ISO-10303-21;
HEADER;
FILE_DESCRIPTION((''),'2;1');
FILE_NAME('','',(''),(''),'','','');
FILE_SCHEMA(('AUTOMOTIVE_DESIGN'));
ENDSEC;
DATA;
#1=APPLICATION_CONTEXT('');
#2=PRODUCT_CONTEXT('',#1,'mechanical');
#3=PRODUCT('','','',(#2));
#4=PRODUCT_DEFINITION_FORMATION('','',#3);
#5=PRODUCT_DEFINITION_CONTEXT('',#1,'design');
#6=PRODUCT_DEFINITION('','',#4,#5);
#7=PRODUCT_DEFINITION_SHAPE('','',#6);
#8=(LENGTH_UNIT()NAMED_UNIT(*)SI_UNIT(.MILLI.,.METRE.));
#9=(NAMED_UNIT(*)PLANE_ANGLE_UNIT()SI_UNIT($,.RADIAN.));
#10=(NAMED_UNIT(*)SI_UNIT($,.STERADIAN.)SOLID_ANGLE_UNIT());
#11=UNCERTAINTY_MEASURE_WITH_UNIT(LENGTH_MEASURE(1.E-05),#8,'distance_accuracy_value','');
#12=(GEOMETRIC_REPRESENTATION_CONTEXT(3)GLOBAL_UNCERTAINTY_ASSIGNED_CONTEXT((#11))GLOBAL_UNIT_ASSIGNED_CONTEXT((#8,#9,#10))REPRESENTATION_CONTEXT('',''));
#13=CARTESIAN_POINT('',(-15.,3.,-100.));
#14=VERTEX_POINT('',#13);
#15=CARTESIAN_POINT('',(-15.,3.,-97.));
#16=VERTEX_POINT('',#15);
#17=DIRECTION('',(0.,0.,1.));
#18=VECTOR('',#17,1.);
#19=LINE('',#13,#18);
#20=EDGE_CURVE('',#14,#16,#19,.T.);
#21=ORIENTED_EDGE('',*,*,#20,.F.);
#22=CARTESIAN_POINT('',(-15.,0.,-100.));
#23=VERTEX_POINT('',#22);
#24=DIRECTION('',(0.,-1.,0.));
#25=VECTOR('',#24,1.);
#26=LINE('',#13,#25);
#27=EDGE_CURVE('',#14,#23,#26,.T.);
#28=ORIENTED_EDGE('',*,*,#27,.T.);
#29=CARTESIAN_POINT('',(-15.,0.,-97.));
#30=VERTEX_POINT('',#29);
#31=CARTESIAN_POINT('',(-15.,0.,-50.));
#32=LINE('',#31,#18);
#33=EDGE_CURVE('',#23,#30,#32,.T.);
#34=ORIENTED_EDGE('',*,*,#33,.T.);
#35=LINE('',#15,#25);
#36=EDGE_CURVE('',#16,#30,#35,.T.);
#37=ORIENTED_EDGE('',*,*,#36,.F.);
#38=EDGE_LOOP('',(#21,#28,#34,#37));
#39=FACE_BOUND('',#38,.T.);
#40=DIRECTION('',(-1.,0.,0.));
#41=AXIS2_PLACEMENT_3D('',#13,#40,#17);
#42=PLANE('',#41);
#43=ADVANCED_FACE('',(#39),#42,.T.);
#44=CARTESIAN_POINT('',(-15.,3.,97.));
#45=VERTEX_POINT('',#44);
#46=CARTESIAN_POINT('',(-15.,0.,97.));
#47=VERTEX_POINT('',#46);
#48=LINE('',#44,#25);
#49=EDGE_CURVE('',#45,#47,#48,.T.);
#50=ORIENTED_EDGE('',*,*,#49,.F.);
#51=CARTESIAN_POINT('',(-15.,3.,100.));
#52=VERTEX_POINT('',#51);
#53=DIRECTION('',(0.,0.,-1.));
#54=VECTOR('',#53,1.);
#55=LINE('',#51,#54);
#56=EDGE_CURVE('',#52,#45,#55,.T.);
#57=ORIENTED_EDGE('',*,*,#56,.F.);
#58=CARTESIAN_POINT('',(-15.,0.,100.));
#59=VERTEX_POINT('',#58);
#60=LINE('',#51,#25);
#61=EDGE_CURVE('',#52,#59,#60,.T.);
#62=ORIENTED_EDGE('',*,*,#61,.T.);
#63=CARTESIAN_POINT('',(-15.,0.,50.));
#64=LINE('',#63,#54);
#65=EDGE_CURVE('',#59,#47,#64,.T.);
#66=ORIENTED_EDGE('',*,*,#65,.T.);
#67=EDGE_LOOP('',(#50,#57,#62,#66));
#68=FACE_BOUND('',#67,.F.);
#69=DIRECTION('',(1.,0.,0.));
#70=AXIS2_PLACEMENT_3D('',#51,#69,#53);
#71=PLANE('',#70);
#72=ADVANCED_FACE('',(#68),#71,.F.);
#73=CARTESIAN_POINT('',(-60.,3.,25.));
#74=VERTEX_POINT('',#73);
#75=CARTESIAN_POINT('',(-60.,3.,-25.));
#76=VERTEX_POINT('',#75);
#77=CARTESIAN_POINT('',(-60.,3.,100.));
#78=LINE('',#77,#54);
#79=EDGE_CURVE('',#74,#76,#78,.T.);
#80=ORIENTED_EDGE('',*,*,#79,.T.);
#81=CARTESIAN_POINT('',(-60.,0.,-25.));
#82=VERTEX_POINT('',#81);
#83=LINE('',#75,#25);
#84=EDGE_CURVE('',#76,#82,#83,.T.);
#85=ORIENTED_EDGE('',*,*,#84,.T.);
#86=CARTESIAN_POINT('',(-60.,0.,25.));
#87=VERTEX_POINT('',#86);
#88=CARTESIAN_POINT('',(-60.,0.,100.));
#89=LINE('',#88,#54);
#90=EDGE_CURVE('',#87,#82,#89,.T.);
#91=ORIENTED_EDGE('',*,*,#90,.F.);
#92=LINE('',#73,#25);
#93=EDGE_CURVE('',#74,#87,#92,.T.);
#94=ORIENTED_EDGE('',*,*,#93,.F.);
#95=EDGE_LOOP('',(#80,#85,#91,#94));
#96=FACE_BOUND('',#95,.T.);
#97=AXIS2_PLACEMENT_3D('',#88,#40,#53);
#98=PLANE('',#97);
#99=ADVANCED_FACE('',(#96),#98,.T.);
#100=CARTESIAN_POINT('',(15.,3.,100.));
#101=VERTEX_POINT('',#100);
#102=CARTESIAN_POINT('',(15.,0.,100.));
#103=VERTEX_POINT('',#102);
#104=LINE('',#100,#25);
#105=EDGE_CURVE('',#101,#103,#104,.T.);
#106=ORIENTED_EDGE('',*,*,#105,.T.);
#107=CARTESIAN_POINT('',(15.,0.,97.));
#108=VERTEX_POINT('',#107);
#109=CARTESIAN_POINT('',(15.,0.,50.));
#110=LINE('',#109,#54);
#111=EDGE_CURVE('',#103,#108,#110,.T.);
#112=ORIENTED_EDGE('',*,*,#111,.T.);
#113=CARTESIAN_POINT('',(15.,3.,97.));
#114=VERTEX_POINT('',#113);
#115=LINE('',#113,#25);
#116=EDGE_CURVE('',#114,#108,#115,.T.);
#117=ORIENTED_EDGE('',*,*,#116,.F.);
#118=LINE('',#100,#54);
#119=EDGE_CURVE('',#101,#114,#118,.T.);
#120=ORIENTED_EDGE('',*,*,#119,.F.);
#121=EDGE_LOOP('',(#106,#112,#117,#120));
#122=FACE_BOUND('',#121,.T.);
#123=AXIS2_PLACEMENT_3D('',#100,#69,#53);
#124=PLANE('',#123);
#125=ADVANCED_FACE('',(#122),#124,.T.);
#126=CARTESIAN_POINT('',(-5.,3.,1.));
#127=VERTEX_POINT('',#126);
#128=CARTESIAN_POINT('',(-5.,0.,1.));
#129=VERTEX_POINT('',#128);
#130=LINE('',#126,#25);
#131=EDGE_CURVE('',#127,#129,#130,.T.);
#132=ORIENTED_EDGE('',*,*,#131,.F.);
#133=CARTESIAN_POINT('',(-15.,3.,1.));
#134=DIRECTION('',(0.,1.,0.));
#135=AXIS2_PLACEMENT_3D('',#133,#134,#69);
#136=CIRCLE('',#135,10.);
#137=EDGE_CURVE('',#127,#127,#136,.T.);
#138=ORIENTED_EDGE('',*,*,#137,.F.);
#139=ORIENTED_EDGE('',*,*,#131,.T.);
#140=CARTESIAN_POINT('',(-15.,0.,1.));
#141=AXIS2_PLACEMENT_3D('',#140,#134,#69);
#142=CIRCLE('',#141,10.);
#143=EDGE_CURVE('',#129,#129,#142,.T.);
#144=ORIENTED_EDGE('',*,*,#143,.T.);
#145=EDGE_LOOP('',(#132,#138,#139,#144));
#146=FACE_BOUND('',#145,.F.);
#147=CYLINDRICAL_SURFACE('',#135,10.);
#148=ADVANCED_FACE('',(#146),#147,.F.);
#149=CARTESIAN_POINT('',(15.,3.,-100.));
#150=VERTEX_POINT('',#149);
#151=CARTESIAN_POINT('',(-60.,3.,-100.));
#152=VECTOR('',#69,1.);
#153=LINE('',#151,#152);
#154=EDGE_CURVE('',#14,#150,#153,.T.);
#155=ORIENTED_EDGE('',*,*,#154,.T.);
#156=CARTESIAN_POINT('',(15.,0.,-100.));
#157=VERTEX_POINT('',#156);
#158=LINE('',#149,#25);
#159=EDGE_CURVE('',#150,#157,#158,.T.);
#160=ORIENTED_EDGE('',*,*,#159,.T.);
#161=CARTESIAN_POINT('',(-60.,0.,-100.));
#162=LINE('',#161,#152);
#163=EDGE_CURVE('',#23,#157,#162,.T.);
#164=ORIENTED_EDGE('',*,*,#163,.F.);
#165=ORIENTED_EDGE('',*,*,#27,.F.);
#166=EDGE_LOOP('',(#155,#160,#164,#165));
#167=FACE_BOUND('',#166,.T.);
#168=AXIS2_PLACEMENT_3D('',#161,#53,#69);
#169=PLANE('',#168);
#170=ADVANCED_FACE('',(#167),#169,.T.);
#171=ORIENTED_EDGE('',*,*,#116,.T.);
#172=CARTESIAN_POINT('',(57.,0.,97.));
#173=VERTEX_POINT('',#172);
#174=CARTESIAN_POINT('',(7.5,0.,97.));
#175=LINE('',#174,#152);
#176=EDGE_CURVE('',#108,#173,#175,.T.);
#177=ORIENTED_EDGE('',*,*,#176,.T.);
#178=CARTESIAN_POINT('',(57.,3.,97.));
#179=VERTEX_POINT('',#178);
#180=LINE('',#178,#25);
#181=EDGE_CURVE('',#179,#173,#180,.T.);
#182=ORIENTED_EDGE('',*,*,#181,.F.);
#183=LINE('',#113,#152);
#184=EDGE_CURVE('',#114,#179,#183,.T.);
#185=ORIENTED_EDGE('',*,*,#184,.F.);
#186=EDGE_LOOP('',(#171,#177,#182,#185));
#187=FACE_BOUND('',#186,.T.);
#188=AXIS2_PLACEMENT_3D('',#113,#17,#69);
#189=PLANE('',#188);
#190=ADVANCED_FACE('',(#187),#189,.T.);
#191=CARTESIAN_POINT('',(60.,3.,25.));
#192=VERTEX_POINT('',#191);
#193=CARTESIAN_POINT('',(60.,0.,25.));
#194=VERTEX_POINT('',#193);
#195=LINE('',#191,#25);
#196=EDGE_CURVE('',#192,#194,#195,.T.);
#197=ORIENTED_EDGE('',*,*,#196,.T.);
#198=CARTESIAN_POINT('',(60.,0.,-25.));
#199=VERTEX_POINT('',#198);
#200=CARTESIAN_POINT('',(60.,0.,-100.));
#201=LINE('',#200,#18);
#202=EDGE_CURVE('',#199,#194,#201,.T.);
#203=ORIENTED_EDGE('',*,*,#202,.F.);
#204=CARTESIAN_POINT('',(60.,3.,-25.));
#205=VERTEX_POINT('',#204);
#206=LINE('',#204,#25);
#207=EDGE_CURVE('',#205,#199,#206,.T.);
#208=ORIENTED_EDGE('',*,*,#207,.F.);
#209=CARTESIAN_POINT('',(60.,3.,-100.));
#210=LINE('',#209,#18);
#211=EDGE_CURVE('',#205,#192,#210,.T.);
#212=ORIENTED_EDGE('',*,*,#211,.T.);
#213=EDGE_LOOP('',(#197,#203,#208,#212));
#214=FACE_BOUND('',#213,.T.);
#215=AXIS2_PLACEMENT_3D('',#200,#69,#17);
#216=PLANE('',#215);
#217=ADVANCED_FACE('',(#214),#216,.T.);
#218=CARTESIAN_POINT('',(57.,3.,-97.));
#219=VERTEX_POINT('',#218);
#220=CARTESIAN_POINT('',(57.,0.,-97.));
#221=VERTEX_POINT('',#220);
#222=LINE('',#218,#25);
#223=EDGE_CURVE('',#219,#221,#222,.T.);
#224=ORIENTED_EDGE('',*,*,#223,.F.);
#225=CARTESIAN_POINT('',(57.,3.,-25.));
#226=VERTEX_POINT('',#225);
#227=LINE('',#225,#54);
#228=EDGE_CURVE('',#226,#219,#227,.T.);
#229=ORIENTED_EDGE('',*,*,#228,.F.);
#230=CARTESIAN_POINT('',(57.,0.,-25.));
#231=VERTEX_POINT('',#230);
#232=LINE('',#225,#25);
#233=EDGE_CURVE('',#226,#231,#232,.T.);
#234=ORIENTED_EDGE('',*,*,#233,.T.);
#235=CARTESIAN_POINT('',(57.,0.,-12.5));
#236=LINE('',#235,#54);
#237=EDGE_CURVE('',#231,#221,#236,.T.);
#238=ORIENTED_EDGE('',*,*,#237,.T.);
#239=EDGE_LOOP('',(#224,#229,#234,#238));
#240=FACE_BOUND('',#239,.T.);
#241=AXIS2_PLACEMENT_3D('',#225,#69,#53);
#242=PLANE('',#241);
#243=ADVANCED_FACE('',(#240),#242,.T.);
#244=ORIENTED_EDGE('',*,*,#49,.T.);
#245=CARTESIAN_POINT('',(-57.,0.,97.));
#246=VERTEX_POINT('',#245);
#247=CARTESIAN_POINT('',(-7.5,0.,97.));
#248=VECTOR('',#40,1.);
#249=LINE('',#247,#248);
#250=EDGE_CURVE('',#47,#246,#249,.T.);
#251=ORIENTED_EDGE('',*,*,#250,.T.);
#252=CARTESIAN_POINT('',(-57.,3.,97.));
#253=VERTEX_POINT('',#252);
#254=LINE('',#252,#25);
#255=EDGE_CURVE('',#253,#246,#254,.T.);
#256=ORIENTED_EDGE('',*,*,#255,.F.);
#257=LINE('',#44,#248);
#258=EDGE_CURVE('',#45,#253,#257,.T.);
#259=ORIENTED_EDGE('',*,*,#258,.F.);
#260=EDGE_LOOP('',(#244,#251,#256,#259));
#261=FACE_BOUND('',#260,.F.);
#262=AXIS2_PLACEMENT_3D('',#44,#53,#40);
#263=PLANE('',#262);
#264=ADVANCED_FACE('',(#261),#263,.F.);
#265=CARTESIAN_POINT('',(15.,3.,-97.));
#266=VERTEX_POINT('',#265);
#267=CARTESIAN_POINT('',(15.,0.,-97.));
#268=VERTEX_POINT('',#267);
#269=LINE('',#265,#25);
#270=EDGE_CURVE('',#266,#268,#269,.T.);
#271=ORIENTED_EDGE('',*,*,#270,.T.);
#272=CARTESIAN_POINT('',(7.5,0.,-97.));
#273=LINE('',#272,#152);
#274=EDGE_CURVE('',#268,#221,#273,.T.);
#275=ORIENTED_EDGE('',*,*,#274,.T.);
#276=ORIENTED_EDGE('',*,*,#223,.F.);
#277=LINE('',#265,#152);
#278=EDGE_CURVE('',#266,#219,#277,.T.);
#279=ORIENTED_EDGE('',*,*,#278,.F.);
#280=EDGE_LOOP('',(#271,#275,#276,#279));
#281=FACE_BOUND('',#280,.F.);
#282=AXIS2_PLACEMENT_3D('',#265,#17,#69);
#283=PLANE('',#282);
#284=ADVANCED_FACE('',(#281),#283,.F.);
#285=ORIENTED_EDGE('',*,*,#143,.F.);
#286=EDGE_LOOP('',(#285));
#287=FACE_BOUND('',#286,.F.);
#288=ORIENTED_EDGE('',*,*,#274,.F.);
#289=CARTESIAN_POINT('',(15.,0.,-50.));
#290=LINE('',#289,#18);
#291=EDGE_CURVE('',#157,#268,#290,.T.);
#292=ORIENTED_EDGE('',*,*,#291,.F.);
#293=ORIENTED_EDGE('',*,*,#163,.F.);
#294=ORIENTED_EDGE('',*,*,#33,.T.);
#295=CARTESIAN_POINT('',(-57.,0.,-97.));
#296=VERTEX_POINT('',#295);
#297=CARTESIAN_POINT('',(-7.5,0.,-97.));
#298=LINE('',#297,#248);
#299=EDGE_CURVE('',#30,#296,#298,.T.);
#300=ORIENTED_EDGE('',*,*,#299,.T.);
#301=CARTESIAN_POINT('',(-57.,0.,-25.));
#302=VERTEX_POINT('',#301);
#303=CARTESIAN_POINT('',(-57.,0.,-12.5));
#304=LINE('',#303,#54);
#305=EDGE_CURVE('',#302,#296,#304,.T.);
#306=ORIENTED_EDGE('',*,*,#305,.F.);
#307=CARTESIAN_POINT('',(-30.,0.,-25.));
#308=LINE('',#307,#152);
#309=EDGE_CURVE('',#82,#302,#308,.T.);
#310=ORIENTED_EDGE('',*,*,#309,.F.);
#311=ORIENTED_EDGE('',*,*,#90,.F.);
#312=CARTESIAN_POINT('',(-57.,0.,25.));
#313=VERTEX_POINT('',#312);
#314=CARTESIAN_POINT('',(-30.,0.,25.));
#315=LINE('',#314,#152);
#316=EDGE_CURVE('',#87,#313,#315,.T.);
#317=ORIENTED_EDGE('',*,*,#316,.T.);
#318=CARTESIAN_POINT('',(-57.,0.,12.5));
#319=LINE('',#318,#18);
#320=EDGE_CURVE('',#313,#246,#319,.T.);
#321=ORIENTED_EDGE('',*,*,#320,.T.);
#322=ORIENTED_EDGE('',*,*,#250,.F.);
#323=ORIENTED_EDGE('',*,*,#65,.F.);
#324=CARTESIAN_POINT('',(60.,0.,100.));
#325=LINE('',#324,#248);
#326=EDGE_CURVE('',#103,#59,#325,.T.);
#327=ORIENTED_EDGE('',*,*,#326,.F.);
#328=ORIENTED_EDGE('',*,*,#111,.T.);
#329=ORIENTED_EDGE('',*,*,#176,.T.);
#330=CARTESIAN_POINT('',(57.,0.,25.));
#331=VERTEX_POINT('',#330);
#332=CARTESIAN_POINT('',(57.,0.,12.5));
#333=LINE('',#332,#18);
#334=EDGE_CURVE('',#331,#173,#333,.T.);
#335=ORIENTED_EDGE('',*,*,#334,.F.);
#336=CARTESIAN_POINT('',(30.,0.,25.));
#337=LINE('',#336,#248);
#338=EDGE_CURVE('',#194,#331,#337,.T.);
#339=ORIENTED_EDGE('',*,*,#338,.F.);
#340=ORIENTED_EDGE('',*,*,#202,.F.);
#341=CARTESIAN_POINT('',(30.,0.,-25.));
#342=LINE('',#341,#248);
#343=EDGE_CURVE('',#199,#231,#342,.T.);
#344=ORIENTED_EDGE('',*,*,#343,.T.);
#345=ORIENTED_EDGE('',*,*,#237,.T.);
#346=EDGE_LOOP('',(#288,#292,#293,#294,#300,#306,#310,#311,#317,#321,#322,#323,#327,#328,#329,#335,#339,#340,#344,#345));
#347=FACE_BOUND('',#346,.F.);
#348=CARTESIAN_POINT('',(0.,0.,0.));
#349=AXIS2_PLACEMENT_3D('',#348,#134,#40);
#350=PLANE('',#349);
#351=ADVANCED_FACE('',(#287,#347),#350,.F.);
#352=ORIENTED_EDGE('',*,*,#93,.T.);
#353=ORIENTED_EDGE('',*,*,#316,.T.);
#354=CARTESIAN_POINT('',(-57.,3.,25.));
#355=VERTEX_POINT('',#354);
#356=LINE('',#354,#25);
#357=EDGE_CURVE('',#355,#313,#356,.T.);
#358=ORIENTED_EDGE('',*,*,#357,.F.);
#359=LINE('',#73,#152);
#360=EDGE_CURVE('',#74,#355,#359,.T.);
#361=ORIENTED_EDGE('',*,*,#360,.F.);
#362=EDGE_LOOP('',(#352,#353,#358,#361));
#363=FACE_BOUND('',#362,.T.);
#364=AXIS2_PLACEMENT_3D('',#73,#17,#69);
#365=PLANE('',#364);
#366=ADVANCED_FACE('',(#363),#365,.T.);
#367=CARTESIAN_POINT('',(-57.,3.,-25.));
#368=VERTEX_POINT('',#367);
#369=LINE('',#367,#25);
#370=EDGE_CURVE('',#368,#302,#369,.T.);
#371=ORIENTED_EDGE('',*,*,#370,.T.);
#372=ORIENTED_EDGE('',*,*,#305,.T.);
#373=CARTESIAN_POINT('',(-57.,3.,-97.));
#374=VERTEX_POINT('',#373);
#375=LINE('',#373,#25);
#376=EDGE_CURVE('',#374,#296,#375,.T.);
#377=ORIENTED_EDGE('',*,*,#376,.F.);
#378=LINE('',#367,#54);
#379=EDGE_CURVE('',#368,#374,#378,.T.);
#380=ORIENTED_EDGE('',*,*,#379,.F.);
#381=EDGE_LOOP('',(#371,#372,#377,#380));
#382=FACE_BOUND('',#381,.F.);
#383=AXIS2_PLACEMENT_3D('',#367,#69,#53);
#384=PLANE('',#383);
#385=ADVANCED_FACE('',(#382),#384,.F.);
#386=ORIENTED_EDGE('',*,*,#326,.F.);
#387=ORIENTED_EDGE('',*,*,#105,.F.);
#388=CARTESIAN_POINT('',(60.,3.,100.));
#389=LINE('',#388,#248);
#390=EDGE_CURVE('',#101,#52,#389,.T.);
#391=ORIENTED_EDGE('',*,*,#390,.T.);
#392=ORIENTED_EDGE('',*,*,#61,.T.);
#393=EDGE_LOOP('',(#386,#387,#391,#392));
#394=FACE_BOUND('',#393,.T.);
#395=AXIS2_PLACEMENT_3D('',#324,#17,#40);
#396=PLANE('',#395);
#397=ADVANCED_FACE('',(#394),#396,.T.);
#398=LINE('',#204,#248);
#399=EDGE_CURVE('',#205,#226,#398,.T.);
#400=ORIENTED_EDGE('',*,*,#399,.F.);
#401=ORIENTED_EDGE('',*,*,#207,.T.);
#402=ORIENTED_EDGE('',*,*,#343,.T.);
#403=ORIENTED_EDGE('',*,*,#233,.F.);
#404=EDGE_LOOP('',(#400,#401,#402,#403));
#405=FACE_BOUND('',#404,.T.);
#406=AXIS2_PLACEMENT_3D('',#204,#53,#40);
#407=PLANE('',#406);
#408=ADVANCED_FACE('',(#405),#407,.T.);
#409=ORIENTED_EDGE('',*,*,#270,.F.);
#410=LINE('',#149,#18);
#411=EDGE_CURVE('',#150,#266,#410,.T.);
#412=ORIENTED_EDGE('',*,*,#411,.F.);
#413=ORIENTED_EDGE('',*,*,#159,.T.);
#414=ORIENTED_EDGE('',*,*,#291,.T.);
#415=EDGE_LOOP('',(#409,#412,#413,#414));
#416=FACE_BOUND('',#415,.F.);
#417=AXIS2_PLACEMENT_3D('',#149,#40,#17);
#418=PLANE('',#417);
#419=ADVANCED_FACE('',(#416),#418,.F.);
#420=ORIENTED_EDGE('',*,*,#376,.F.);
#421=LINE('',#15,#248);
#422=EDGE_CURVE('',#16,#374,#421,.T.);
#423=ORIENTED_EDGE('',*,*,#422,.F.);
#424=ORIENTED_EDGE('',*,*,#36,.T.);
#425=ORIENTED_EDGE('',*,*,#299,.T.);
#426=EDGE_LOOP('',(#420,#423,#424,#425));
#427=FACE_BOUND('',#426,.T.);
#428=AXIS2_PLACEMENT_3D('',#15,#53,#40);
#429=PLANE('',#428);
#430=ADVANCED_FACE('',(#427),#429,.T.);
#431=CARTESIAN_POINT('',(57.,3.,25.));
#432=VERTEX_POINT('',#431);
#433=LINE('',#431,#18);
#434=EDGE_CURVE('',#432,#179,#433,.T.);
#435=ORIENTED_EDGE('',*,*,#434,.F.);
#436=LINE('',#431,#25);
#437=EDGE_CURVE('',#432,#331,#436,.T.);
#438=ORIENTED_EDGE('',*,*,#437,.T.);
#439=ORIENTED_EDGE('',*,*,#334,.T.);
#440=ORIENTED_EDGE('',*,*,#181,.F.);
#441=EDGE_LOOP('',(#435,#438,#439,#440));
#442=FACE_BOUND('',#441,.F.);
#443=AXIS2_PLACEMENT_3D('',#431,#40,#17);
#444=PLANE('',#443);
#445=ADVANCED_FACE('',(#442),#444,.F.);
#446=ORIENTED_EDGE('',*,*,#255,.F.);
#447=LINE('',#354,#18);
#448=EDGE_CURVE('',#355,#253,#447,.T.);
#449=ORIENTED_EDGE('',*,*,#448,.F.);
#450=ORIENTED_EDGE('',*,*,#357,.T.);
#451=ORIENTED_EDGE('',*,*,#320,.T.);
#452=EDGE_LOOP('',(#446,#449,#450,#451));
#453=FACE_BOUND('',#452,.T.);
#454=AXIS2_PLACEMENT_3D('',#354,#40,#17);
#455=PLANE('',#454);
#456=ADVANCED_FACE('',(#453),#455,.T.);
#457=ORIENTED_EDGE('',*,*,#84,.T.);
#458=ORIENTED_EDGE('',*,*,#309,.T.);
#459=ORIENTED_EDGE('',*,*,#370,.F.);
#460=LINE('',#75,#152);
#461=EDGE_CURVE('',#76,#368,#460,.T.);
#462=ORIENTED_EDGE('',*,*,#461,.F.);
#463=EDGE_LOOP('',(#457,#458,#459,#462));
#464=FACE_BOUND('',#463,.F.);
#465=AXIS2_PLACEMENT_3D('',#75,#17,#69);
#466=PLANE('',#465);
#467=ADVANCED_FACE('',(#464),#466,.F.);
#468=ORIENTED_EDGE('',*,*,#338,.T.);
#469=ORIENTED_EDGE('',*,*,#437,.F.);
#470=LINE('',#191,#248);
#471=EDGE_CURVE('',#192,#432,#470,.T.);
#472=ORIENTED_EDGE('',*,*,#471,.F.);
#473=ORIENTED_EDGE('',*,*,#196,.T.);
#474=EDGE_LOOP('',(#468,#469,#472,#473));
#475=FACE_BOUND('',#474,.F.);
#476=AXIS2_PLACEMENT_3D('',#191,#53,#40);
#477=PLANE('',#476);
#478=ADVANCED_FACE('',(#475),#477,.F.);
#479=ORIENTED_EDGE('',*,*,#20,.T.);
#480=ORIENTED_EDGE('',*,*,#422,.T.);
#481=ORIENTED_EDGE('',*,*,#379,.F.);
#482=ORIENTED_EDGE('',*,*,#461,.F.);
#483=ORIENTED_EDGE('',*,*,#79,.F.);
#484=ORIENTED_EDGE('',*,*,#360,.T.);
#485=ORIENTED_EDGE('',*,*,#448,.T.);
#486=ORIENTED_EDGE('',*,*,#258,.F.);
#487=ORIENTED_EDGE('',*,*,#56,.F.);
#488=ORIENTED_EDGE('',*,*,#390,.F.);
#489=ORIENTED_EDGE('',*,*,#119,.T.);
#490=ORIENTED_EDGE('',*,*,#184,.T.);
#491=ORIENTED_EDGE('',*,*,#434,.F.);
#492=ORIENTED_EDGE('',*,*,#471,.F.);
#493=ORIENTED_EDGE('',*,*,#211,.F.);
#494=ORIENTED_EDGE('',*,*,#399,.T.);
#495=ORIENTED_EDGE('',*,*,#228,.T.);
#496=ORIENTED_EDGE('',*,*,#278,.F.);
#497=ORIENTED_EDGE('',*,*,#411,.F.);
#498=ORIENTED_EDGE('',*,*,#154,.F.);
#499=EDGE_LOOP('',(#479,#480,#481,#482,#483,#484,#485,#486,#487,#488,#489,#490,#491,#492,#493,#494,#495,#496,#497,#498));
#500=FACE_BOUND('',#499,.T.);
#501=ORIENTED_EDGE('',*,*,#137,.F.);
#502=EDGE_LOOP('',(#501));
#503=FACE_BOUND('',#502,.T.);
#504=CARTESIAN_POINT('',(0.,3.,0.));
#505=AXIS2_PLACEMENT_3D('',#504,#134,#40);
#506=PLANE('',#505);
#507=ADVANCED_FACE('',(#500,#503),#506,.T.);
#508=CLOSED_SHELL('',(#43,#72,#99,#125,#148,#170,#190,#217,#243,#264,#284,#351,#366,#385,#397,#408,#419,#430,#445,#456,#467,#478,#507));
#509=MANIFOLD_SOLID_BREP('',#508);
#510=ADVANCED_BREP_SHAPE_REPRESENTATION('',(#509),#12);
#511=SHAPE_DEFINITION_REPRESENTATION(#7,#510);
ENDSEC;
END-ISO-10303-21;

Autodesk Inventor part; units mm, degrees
ref_plane "YZ Plane" through (0, 0, 0) normal (1, 0, 0) x (0, 1, 0)
ref_plane "XZ Plane" through (0, 0, 0) normal (0, 1, 0) x (-1, 0, 0)
ref_plane "XY Plane" through (0, 0, 0) normal (0, 0, 1) x (1, 0, 0)
sketch "스케치1" plane through (0, 0, 0) normal (0, 1, 0) x (-1, 0, 0)
  line L0 (-60, 100) -> (60, 100)
  line L1 (60, 100) -> (60, -100)
  line L2 (60, -100) -> (-60, -100)
  line L3 (-60, -100) -> (-60, 100)
  line L4 (-60, 100) -> (60, -100) construction
  line L5 (60, 100) -> (-60, -100) construction
  point P0 (0, 0)
  dimension "d0" = 200
  dimension "d1" = 120
extrude "돌출1" add sketch "스케치1" along normal blind 3
sketch "스케치2" plane through (0, 3, 0) normal (0, 1, 0) x (1, 0, 0)
  circle A0 centre (-15, -1) radius 10
  line L0 (-60, 100) -> (-60, -100) projected
  line L1 (60, 100) -> (-60, 100) projected
  point P0 (0, 0)
  dimension "d4" = 20
  dimension "d5" = 45
  dimension "d6" = 101
extrude "돌출2" cut sketch "스케치2" against normal through all
sketch "스케치3" plane through (0, 3, 0) normal (0, 1, 0) x (1, 0, 0)
  line L0 (-60, 25) -> (-57, 25)
  line L1 (-57, 25) -> (-57, 100)
  line L2 (-57, 100) -> (-60, 100)
  line L3 (-60, 100) -> (-60, 25)
  line L4 (-60, 100) -> (-60, -100) projected
  line L5 (60, 100) -> (-60, 100) projected
  line L6 (-60, 100) -> (-60, -100) projected
  line L7 (-60, 0) -> (60, 0)
  line L8 (60, -100) -> (60, 100) projected
  line L9 (60, 100) -> (-60, 100) projected
  line L10 (0, 100) -> (0, -100)
  line L11 (-60, -100) -> (60, -100) projected
  line L12 (-60, -25) -> (-57, -25)
  line L13 (-57, -25) -> (-57, -100)
  line L14 (-57, -100) -> (-60, -100)
  line L15 (-60, -100) -> (-60, -25)
  line L16 (60, 25) -> (57, 25)
  line L17 (57, 25) -> (57, 100)
  line L18 (57, 100) -> (60, 100)
  line L19 (60, 100) -> (60, 25)
  line L20 (60, 100) -> (60, -100)
  line L21 (60, 100) -> (60, -100)
  line L22 (60, -25) -> (57, -25)
  line L23 (57, -25) -> (57, -100)
  line L24 (57, -100) -> (60, -100)
  line L25 (60, -100) -> (60, -25)
  point P0 (0, 0)
  point P1 (-60, -100)
  point P2 (60, -100)
  point P3 (60, 25)
  point P4 (60, -25)
  point P5 (-60, -25)
  dimension "d9" = 75
  dimension "d10" = 3
extrude "돌출3" cut sketch "스케치3" against normal through all contours L3 L2 L1 L0 | L12 L13 L11 L4 | L5 L8 L16 L17 | L8 L11 L23 L22
sketch "스케치4" plane through (0, 3, 0) normal (0, 1, 0) x (1, 0, 0)
  line L0 (-57, -100) -> (57, -100) projected
  line L1 (57, -100) -> (15, -100)
  line L2 (15, -100) -> (15, -97)
  line L3 (15, -97) -> (57, -97)
  line L4 (57, -97) -> (57, -100)
  line L5 (0, -100) -> (0, 100)
  line L6 (57, 100) -> (-57, 100) projected
  line L7 (-59.774, 0) -> (60, 0)
  line L8 (60, -25) -> (60, 25) projected
  line L9 (57, 100) -> (15, 100)
  line L10 (15, 100) -> (15, 97)
  line L11 (15, 97) -> (57, 97)
  line L12 (57, 97) -> (57, 100)
  line L13 (-57, -100) -> (-15, -100)
  line L14 (-15, -100) -> (-15, -97)
  line L15 (-15, -97) -> (-57, -97)
  line L16 (-57, -97) -> (-57, -100)
  line L17 (-57, 100) -> (-15, 100)
  line L18 (-15, 100) -> (-15, 97)
  line L19 (-15, 97) -> (-57, 97)
  line L20 (-57, 97) -> (-57, 100)
  point P0 (0, 0)
  point P1 (-15, 100)
  point P2 (15, 100)
  point P3 (-15, -100)
  dimension "d13" = 3
  dimension "d14" = 42
extrude "돌출4" cut sketch "스케치4" against normal through all
sketch "스케치5" plane through (0, 3, 0) normal (0, 1, 0) x (1, 0, 0)
  point P0 (0, 0)
sketch "스케치6" plane through (0, 3, 0) normal (0, 1, 0) x (1, 0, 0)
  point P0 (0, 0)
properties part number "본체 뚜껑 레이저 수정"
